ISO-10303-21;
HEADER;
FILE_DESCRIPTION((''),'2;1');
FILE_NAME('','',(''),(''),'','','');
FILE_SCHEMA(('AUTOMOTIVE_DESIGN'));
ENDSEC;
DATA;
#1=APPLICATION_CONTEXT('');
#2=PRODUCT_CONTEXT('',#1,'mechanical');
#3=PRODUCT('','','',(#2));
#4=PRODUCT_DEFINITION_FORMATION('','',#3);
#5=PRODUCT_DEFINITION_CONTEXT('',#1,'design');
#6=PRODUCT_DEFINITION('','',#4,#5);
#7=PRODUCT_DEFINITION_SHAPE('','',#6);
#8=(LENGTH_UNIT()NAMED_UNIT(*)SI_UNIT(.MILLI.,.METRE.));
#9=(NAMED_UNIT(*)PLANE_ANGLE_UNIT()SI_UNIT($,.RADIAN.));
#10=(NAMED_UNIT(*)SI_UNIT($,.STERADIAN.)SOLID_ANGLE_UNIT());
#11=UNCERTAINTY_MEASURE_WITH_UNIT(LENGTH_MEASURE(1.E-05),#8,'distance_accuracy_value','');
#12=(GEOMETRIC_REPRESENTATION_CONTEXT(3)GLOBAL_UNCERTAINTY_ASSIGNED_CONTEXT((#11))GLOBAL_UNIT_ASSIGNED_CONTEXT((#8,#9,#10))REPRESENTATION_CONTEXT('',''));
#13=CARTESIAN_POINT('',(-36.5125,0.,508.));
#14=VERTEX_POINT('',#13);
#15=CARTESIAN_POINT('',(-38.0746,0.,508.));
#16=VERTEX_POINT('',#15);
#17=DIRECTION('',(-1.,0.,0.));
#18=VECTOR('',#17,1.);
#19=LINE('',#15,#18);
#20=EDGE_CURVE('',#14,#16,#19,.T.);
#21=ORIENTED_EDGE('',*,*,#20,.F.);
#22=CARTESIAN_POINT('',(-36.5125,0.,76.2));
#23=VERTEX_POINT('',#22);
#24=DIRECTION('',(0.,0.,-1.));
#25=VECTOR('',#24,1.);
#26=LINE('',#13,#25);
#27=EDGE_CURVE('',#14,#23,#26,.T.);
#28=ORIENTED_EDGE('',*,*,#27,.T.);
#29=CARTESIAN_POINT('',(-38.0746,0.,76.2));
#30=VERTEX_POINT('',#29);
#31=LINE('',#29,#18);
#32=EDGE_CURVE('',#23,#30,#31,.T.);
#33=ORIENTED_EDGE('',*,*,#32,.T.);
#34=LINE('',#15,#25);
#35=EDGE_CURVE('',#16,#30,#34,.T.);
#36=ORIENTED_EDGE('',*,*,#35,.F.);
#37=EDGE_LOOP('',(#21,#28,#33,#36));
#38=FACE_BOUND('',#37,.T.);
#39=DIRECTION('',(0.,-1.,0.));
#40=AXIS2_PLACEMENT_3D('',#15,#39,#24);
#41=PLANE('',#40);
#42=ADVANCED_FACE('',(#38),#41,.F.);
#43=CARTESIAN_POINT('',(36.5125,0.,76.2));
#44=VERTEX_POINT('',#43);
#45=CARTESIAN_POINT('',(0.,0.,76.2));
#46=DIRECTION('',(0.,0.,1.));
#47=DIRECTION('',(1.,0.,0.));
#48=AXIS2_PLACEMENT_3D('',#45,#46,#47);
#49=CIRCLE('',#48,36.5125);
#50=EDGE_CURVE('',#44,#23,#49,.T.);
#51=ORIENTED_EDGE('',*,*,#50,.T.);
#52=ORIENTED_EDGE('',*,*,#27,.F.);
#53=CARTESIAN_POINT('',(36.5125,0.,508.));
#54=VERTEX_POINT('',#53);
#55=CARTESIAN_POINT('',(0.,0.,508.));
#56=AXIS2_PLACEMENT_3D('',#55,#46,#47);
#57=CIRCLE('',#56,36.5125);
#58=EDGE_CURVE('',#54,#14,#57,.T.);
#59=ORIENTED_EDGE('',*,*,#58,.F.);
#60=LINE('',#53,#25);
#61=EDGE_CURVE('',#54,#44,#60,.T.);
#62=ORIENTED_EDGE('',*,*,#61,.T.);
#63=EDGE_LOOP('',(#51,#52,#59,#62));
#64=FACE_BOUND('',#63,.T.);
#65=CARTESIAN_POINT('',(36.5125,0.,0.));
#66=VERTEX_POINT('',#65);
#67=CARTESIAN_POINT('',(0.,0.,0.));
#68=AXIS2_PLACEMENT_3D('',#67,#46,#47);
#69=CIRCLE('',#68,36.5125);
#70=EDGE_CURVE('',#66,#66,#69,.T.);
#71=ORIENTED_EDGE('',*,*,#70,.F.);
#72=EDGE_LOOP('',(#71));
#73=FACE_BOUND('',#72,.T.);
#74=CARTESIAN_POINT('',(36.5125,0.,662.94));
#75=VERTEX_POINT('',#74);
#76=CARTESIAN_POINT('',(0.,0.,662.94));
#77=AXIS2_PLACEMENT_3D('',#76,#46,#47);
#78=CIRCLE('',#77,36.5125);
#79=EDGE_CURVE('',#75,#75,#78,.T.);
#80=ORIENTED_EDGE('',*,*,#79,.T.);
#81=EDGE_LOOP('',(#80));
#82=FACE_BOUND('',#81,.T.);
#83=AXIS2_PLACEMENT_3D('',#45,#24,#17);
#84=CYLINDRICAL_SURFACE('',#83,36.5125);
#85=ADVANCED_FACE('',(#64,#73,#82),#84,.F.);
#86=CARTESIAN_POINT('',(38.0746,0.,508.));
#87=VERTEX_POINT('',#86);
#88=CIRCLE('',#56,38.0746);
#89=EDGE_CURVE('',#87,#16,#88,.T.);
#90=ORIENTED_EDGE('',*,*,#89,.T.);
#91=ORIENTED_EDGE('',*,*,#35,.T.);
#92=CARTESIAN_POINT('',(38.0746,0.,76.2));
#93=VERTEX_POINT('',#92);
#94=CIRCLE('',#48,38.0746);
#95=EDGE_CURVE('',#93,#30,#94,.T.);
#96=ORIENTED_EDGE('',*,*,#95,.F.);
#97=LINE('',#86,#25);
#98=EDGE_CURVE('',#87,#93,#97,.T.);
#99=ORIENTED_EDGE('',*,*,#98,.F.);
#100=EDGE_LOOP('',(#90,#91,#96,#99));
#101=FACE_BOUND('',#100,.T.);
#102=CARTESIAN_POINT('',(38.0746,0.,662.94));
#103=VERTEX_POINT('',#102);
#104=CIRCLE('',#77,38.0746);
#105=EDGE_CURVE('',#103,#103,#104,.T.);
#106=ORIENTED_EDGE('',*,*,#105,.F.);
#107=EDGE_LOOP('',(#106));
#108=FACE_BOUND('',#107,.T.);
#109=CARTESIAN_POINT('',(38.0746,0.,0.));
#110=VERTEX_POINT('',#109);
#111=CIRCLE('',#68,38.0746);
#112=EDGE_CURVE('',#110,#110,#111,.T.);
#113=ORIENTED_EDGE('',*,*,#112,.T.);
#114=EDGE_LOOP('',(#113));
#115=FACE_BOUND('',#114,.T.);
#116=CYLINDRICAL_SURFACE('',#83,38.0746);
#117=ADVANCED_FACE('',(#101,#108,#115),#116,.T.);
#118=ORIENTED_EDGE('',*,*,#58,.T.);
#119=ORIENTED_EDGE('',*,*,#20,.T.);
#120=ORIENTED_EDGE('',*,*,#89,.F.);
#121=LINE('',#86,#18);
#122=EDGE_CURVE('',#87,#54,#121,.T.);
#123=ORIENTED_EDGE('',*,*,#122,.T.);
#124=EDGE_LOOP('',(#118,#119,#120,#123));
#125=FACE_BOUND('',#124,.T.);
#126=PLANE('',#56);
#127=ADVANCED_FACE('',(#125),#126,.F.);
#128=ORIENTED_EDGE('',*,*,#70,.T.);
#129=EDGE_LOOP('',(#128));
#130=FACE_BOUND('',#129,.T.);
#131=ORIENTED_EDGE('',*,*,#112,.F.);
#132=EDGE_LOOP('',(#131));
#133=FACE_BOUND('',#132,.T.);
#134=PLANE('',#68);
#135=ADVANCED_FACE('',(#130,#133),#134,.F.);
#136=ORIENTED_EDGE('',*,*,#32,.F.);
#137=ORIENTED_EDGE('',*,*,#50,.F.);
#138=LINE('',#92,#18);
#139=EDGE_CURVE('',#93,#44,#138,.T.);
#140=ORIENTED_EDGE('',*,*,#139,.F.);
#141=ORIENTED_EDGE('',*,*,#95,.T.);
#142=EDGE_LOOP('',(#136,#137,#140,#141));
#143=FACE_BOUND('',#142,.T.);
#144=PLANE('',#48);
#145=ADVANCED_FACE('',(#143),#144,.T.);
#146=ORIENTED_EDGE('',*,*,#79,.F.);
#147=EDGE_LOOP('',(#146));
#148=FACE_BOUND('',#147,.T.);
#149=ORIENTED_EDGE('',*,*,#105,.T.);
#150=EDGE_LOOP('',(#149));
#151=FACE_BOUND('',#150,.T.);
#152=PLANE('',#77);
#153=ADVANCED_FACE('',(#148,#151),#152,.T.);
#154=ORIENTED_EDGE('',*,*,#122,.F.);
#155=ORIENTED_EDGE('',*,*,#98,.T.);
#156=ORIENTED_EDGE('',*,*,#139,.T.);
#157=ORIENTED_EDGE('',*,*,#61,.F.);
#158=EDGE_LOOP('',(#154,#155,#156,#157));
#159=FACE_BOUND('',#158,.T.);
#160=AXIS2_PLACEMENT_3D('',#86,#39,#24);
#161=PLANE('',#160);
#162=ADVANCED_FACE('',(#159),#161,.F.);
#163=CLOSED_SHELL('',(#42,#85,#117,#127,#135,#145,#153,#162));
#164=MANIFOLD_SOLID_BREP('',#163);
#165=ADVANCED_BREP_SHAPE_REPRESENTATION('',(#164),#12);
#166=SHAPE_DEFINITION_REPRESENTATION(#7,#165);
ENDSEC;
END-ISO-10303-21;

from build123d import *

# Parameters (mm, degrees)
SKETCH1_R           = 38.0746
SKETCH1_R_2         = 36.5125
BOSS_EXTRUDE1_DEPTH = 76.2
BOSS_EXTRUDE2_DEPTH = 431.8
SKETCH3_R           = 38.0746
SKETCH3_R_2         = 36.5125
BOSS_EXTRUDE3_DEPTH = 154.94


with BuildPart() as part:
    # Sketch1 → Boss-Extrude1 (new body)
    with BuildSketch(Plane.XY):
        with Locations(Location((0, 0, 0), (0, 0, 180))):
            Circle(SKETCH1_R)
        with Locations(Location((0, 0, 0), (0, 0, 180))):
            Circle(SKETCH1_R_2, mode=Mode.SUBTRACT)
    extrude(amount=BOSS_EXTRUDE1_DEPTH)

    # Sketch2 → Boss-Extrude2 (add)
    with BuildSketch(Plane.XY.offset(76.2)):
        with BuildLine():
            Line((-38.0746, 0), (-36.5125, 0))
            ThreePointArc((-36.5125, 0), (0, -36.5125), (36.5125, 0))
            Line((36.5125, 0), (38.0746, 0))
            ThreePointArc((38.0746, 0), (0, -38.0746), (-38.0746, 0))
        make_face()
    extrude(amount=BOSS_EXTRUDE2_DEPTH)

    # Sketch3 → Boss-Extrude3 (add)
    with BuildSketch(Plane.XY.offset(508)):
        Circle(SKETCH3_R)
        Circle(SKETCH3_R_2, mode=Mode.SUBTRACT)
    extrude(amount=BOSS_EXTRUDE3_DEPTH)


solid = part.part
